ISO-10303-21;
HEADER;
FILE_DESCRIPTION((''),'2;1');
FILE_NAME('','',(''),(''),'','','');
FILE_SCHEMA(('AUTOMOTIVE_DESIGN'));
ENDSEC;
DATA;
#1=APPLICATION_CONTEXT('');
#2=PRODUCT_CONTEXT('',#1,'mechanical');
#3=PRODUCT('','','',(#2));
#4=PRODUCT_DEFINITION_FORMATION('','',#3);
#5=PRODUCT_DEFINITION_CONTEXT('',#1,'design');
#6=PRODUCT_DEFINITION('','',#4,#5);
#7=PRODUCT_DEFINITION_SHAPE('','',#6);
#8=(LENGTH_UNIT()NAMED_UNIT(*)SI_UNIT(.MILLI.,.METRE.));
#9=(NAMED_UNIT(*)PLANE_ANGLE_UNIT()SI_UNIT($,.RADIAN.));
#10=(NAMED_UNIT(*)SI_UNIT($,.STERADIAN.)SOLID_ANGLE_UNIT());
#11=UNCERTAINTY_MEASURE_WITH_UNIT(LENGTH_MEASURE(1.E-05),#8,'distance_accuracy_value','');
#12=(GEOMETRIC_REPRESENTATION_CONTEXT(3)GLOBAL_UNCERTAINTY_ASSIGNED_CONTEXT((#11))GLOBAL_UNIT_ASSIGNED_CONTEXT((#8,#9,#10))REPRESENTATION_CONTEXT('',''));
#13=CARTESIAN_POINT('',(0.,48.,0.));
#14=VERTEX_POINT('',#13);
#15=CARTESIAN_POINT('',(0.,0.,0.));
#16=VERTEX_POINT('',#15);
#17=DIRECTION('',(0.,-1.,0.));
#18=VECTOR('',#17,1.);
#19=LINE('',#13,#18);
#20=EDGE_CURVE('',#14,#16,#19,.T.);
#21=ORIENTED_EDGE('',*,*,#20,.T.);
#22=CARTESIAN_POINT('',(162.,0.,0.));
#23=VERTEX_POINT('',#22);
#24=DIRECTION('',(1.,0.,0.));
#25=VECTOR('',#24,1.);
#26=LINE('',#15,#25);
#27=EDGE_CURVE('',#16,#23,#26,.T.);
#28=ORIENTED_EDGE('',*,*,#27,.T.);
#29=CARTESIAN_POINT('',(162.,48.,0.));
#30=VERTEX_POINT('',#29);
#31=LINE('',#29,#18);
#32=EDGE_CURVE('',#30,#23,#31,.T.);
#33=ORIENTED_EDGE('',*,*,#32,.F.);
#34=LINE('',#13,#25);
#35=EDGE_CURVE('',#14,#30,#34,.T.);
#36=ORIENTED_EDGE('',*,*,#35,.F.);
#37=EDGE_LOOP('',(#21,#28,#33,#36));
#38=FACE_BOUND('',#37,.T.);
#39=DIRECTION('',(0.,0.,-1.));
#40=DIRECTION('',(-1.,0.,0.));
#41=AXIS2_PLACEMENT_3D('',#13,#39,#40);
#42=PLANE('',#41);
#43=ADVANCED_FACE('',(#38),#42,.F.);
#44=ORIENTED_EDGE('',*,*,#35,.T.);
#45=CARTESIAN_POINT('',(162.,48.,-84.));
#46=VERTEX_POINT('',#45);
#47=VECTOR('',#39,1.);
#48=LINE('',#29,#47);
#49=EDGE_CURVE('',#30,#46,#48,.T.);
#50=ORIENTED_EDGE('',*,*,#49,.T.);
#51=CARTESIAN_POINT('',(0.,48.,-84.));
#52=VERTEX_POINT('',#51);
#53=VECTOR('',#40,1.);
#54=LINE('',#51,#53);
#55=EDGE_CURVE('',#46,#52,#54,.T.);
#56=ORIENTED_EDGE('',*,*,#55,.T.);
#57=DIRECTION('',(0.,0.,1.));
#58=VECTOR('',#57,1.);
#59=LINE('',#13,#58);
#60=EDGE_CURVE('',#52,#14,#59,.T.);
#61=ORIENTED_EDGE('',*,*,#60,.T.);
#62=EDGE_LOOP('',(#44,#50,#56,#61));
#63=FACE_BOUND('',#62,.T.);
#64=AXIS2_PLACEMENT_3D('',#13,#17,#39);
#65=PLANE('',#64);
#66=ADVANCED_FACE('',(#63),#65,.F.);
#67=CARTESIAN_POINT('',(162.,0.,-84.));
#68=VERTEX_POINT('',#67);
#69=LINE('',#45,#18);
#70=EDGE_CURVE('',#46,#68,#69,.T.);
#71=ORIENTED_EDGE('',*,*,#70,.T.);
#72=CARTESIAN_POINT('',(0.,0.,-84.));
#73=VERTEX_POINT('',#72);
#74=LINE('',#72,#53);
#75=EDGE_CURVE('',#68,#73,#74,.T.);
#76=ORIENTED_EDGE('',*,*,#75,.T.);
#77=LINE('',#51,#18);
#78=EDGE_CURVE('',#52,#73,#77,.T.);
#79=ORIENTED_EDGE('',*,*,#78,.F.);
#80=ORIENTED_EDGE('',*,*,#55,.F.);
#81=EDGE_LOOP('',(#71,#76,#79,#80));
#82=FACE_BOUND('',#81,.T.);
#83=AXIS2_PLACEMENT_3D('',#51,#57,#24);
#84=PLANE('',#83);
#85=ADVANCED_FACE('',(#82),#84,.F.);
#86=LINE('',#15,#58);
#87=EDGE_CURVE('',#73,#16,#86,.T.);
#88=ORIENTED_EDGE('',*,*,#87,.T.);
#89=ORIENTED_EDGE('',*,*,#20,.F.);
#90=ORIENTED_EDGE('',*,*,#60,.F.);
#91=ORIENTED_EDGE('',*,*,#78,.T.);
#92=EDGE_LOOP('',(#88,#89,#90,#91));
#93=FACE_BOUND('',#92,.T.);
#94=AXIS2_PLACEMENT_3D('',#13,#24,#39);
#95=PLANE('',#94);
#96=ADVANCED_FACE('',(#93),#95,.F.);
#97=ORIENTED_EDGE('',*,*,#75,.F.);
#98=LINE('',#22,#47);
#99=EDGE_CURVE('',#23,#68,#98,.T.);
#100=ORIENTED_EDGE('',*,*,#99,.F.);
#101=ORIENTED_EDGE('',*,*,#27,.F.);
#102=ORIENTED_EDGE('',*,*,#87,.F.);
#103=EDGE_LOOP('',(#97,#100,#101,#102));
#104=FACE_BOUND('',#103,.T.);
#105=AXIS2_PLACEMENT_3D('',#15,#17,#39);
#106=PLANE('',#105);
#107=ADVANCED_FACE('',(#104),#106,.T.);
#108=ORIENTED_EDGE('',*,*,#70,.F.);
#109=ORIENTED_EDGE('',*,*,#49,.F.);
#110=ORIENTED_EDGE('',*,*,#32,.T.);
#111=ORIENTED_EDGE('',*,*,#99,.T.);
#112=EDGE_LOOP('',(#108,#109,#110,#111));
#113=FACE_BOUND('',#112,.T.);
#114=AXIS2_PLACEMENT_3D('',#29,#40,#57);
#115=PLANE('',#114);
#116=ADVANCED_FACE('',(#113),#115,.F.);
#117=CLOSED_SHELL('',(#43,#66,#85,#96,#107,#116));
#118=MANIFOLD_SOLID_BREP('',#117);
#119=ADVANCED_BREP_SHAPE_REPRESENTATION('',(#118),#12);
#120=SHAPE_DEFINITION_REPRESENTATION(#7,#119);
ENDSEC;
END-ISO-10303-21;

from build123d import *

# Parameters (mm, degrees)
SKETCH_1_W      = 162
SKETCH_1_H      = 84
EXTRUDE_1_DEPTH = 48


with BuildPart() as part:
    # 草图1 → 凸台-拉伸1 (new body)
    with BuildSketch(Plane(origin=(0, 0, 0), x_dir=(1, 0, 0), z_dir=(0, 1, 0))):
        with Locations((81, 42)):
            Rectangle(SKETCH_1_W, SKETCH_1_H)
    extrude(amount=EXTRUDE_1_DEPTH)


solid = part.part
